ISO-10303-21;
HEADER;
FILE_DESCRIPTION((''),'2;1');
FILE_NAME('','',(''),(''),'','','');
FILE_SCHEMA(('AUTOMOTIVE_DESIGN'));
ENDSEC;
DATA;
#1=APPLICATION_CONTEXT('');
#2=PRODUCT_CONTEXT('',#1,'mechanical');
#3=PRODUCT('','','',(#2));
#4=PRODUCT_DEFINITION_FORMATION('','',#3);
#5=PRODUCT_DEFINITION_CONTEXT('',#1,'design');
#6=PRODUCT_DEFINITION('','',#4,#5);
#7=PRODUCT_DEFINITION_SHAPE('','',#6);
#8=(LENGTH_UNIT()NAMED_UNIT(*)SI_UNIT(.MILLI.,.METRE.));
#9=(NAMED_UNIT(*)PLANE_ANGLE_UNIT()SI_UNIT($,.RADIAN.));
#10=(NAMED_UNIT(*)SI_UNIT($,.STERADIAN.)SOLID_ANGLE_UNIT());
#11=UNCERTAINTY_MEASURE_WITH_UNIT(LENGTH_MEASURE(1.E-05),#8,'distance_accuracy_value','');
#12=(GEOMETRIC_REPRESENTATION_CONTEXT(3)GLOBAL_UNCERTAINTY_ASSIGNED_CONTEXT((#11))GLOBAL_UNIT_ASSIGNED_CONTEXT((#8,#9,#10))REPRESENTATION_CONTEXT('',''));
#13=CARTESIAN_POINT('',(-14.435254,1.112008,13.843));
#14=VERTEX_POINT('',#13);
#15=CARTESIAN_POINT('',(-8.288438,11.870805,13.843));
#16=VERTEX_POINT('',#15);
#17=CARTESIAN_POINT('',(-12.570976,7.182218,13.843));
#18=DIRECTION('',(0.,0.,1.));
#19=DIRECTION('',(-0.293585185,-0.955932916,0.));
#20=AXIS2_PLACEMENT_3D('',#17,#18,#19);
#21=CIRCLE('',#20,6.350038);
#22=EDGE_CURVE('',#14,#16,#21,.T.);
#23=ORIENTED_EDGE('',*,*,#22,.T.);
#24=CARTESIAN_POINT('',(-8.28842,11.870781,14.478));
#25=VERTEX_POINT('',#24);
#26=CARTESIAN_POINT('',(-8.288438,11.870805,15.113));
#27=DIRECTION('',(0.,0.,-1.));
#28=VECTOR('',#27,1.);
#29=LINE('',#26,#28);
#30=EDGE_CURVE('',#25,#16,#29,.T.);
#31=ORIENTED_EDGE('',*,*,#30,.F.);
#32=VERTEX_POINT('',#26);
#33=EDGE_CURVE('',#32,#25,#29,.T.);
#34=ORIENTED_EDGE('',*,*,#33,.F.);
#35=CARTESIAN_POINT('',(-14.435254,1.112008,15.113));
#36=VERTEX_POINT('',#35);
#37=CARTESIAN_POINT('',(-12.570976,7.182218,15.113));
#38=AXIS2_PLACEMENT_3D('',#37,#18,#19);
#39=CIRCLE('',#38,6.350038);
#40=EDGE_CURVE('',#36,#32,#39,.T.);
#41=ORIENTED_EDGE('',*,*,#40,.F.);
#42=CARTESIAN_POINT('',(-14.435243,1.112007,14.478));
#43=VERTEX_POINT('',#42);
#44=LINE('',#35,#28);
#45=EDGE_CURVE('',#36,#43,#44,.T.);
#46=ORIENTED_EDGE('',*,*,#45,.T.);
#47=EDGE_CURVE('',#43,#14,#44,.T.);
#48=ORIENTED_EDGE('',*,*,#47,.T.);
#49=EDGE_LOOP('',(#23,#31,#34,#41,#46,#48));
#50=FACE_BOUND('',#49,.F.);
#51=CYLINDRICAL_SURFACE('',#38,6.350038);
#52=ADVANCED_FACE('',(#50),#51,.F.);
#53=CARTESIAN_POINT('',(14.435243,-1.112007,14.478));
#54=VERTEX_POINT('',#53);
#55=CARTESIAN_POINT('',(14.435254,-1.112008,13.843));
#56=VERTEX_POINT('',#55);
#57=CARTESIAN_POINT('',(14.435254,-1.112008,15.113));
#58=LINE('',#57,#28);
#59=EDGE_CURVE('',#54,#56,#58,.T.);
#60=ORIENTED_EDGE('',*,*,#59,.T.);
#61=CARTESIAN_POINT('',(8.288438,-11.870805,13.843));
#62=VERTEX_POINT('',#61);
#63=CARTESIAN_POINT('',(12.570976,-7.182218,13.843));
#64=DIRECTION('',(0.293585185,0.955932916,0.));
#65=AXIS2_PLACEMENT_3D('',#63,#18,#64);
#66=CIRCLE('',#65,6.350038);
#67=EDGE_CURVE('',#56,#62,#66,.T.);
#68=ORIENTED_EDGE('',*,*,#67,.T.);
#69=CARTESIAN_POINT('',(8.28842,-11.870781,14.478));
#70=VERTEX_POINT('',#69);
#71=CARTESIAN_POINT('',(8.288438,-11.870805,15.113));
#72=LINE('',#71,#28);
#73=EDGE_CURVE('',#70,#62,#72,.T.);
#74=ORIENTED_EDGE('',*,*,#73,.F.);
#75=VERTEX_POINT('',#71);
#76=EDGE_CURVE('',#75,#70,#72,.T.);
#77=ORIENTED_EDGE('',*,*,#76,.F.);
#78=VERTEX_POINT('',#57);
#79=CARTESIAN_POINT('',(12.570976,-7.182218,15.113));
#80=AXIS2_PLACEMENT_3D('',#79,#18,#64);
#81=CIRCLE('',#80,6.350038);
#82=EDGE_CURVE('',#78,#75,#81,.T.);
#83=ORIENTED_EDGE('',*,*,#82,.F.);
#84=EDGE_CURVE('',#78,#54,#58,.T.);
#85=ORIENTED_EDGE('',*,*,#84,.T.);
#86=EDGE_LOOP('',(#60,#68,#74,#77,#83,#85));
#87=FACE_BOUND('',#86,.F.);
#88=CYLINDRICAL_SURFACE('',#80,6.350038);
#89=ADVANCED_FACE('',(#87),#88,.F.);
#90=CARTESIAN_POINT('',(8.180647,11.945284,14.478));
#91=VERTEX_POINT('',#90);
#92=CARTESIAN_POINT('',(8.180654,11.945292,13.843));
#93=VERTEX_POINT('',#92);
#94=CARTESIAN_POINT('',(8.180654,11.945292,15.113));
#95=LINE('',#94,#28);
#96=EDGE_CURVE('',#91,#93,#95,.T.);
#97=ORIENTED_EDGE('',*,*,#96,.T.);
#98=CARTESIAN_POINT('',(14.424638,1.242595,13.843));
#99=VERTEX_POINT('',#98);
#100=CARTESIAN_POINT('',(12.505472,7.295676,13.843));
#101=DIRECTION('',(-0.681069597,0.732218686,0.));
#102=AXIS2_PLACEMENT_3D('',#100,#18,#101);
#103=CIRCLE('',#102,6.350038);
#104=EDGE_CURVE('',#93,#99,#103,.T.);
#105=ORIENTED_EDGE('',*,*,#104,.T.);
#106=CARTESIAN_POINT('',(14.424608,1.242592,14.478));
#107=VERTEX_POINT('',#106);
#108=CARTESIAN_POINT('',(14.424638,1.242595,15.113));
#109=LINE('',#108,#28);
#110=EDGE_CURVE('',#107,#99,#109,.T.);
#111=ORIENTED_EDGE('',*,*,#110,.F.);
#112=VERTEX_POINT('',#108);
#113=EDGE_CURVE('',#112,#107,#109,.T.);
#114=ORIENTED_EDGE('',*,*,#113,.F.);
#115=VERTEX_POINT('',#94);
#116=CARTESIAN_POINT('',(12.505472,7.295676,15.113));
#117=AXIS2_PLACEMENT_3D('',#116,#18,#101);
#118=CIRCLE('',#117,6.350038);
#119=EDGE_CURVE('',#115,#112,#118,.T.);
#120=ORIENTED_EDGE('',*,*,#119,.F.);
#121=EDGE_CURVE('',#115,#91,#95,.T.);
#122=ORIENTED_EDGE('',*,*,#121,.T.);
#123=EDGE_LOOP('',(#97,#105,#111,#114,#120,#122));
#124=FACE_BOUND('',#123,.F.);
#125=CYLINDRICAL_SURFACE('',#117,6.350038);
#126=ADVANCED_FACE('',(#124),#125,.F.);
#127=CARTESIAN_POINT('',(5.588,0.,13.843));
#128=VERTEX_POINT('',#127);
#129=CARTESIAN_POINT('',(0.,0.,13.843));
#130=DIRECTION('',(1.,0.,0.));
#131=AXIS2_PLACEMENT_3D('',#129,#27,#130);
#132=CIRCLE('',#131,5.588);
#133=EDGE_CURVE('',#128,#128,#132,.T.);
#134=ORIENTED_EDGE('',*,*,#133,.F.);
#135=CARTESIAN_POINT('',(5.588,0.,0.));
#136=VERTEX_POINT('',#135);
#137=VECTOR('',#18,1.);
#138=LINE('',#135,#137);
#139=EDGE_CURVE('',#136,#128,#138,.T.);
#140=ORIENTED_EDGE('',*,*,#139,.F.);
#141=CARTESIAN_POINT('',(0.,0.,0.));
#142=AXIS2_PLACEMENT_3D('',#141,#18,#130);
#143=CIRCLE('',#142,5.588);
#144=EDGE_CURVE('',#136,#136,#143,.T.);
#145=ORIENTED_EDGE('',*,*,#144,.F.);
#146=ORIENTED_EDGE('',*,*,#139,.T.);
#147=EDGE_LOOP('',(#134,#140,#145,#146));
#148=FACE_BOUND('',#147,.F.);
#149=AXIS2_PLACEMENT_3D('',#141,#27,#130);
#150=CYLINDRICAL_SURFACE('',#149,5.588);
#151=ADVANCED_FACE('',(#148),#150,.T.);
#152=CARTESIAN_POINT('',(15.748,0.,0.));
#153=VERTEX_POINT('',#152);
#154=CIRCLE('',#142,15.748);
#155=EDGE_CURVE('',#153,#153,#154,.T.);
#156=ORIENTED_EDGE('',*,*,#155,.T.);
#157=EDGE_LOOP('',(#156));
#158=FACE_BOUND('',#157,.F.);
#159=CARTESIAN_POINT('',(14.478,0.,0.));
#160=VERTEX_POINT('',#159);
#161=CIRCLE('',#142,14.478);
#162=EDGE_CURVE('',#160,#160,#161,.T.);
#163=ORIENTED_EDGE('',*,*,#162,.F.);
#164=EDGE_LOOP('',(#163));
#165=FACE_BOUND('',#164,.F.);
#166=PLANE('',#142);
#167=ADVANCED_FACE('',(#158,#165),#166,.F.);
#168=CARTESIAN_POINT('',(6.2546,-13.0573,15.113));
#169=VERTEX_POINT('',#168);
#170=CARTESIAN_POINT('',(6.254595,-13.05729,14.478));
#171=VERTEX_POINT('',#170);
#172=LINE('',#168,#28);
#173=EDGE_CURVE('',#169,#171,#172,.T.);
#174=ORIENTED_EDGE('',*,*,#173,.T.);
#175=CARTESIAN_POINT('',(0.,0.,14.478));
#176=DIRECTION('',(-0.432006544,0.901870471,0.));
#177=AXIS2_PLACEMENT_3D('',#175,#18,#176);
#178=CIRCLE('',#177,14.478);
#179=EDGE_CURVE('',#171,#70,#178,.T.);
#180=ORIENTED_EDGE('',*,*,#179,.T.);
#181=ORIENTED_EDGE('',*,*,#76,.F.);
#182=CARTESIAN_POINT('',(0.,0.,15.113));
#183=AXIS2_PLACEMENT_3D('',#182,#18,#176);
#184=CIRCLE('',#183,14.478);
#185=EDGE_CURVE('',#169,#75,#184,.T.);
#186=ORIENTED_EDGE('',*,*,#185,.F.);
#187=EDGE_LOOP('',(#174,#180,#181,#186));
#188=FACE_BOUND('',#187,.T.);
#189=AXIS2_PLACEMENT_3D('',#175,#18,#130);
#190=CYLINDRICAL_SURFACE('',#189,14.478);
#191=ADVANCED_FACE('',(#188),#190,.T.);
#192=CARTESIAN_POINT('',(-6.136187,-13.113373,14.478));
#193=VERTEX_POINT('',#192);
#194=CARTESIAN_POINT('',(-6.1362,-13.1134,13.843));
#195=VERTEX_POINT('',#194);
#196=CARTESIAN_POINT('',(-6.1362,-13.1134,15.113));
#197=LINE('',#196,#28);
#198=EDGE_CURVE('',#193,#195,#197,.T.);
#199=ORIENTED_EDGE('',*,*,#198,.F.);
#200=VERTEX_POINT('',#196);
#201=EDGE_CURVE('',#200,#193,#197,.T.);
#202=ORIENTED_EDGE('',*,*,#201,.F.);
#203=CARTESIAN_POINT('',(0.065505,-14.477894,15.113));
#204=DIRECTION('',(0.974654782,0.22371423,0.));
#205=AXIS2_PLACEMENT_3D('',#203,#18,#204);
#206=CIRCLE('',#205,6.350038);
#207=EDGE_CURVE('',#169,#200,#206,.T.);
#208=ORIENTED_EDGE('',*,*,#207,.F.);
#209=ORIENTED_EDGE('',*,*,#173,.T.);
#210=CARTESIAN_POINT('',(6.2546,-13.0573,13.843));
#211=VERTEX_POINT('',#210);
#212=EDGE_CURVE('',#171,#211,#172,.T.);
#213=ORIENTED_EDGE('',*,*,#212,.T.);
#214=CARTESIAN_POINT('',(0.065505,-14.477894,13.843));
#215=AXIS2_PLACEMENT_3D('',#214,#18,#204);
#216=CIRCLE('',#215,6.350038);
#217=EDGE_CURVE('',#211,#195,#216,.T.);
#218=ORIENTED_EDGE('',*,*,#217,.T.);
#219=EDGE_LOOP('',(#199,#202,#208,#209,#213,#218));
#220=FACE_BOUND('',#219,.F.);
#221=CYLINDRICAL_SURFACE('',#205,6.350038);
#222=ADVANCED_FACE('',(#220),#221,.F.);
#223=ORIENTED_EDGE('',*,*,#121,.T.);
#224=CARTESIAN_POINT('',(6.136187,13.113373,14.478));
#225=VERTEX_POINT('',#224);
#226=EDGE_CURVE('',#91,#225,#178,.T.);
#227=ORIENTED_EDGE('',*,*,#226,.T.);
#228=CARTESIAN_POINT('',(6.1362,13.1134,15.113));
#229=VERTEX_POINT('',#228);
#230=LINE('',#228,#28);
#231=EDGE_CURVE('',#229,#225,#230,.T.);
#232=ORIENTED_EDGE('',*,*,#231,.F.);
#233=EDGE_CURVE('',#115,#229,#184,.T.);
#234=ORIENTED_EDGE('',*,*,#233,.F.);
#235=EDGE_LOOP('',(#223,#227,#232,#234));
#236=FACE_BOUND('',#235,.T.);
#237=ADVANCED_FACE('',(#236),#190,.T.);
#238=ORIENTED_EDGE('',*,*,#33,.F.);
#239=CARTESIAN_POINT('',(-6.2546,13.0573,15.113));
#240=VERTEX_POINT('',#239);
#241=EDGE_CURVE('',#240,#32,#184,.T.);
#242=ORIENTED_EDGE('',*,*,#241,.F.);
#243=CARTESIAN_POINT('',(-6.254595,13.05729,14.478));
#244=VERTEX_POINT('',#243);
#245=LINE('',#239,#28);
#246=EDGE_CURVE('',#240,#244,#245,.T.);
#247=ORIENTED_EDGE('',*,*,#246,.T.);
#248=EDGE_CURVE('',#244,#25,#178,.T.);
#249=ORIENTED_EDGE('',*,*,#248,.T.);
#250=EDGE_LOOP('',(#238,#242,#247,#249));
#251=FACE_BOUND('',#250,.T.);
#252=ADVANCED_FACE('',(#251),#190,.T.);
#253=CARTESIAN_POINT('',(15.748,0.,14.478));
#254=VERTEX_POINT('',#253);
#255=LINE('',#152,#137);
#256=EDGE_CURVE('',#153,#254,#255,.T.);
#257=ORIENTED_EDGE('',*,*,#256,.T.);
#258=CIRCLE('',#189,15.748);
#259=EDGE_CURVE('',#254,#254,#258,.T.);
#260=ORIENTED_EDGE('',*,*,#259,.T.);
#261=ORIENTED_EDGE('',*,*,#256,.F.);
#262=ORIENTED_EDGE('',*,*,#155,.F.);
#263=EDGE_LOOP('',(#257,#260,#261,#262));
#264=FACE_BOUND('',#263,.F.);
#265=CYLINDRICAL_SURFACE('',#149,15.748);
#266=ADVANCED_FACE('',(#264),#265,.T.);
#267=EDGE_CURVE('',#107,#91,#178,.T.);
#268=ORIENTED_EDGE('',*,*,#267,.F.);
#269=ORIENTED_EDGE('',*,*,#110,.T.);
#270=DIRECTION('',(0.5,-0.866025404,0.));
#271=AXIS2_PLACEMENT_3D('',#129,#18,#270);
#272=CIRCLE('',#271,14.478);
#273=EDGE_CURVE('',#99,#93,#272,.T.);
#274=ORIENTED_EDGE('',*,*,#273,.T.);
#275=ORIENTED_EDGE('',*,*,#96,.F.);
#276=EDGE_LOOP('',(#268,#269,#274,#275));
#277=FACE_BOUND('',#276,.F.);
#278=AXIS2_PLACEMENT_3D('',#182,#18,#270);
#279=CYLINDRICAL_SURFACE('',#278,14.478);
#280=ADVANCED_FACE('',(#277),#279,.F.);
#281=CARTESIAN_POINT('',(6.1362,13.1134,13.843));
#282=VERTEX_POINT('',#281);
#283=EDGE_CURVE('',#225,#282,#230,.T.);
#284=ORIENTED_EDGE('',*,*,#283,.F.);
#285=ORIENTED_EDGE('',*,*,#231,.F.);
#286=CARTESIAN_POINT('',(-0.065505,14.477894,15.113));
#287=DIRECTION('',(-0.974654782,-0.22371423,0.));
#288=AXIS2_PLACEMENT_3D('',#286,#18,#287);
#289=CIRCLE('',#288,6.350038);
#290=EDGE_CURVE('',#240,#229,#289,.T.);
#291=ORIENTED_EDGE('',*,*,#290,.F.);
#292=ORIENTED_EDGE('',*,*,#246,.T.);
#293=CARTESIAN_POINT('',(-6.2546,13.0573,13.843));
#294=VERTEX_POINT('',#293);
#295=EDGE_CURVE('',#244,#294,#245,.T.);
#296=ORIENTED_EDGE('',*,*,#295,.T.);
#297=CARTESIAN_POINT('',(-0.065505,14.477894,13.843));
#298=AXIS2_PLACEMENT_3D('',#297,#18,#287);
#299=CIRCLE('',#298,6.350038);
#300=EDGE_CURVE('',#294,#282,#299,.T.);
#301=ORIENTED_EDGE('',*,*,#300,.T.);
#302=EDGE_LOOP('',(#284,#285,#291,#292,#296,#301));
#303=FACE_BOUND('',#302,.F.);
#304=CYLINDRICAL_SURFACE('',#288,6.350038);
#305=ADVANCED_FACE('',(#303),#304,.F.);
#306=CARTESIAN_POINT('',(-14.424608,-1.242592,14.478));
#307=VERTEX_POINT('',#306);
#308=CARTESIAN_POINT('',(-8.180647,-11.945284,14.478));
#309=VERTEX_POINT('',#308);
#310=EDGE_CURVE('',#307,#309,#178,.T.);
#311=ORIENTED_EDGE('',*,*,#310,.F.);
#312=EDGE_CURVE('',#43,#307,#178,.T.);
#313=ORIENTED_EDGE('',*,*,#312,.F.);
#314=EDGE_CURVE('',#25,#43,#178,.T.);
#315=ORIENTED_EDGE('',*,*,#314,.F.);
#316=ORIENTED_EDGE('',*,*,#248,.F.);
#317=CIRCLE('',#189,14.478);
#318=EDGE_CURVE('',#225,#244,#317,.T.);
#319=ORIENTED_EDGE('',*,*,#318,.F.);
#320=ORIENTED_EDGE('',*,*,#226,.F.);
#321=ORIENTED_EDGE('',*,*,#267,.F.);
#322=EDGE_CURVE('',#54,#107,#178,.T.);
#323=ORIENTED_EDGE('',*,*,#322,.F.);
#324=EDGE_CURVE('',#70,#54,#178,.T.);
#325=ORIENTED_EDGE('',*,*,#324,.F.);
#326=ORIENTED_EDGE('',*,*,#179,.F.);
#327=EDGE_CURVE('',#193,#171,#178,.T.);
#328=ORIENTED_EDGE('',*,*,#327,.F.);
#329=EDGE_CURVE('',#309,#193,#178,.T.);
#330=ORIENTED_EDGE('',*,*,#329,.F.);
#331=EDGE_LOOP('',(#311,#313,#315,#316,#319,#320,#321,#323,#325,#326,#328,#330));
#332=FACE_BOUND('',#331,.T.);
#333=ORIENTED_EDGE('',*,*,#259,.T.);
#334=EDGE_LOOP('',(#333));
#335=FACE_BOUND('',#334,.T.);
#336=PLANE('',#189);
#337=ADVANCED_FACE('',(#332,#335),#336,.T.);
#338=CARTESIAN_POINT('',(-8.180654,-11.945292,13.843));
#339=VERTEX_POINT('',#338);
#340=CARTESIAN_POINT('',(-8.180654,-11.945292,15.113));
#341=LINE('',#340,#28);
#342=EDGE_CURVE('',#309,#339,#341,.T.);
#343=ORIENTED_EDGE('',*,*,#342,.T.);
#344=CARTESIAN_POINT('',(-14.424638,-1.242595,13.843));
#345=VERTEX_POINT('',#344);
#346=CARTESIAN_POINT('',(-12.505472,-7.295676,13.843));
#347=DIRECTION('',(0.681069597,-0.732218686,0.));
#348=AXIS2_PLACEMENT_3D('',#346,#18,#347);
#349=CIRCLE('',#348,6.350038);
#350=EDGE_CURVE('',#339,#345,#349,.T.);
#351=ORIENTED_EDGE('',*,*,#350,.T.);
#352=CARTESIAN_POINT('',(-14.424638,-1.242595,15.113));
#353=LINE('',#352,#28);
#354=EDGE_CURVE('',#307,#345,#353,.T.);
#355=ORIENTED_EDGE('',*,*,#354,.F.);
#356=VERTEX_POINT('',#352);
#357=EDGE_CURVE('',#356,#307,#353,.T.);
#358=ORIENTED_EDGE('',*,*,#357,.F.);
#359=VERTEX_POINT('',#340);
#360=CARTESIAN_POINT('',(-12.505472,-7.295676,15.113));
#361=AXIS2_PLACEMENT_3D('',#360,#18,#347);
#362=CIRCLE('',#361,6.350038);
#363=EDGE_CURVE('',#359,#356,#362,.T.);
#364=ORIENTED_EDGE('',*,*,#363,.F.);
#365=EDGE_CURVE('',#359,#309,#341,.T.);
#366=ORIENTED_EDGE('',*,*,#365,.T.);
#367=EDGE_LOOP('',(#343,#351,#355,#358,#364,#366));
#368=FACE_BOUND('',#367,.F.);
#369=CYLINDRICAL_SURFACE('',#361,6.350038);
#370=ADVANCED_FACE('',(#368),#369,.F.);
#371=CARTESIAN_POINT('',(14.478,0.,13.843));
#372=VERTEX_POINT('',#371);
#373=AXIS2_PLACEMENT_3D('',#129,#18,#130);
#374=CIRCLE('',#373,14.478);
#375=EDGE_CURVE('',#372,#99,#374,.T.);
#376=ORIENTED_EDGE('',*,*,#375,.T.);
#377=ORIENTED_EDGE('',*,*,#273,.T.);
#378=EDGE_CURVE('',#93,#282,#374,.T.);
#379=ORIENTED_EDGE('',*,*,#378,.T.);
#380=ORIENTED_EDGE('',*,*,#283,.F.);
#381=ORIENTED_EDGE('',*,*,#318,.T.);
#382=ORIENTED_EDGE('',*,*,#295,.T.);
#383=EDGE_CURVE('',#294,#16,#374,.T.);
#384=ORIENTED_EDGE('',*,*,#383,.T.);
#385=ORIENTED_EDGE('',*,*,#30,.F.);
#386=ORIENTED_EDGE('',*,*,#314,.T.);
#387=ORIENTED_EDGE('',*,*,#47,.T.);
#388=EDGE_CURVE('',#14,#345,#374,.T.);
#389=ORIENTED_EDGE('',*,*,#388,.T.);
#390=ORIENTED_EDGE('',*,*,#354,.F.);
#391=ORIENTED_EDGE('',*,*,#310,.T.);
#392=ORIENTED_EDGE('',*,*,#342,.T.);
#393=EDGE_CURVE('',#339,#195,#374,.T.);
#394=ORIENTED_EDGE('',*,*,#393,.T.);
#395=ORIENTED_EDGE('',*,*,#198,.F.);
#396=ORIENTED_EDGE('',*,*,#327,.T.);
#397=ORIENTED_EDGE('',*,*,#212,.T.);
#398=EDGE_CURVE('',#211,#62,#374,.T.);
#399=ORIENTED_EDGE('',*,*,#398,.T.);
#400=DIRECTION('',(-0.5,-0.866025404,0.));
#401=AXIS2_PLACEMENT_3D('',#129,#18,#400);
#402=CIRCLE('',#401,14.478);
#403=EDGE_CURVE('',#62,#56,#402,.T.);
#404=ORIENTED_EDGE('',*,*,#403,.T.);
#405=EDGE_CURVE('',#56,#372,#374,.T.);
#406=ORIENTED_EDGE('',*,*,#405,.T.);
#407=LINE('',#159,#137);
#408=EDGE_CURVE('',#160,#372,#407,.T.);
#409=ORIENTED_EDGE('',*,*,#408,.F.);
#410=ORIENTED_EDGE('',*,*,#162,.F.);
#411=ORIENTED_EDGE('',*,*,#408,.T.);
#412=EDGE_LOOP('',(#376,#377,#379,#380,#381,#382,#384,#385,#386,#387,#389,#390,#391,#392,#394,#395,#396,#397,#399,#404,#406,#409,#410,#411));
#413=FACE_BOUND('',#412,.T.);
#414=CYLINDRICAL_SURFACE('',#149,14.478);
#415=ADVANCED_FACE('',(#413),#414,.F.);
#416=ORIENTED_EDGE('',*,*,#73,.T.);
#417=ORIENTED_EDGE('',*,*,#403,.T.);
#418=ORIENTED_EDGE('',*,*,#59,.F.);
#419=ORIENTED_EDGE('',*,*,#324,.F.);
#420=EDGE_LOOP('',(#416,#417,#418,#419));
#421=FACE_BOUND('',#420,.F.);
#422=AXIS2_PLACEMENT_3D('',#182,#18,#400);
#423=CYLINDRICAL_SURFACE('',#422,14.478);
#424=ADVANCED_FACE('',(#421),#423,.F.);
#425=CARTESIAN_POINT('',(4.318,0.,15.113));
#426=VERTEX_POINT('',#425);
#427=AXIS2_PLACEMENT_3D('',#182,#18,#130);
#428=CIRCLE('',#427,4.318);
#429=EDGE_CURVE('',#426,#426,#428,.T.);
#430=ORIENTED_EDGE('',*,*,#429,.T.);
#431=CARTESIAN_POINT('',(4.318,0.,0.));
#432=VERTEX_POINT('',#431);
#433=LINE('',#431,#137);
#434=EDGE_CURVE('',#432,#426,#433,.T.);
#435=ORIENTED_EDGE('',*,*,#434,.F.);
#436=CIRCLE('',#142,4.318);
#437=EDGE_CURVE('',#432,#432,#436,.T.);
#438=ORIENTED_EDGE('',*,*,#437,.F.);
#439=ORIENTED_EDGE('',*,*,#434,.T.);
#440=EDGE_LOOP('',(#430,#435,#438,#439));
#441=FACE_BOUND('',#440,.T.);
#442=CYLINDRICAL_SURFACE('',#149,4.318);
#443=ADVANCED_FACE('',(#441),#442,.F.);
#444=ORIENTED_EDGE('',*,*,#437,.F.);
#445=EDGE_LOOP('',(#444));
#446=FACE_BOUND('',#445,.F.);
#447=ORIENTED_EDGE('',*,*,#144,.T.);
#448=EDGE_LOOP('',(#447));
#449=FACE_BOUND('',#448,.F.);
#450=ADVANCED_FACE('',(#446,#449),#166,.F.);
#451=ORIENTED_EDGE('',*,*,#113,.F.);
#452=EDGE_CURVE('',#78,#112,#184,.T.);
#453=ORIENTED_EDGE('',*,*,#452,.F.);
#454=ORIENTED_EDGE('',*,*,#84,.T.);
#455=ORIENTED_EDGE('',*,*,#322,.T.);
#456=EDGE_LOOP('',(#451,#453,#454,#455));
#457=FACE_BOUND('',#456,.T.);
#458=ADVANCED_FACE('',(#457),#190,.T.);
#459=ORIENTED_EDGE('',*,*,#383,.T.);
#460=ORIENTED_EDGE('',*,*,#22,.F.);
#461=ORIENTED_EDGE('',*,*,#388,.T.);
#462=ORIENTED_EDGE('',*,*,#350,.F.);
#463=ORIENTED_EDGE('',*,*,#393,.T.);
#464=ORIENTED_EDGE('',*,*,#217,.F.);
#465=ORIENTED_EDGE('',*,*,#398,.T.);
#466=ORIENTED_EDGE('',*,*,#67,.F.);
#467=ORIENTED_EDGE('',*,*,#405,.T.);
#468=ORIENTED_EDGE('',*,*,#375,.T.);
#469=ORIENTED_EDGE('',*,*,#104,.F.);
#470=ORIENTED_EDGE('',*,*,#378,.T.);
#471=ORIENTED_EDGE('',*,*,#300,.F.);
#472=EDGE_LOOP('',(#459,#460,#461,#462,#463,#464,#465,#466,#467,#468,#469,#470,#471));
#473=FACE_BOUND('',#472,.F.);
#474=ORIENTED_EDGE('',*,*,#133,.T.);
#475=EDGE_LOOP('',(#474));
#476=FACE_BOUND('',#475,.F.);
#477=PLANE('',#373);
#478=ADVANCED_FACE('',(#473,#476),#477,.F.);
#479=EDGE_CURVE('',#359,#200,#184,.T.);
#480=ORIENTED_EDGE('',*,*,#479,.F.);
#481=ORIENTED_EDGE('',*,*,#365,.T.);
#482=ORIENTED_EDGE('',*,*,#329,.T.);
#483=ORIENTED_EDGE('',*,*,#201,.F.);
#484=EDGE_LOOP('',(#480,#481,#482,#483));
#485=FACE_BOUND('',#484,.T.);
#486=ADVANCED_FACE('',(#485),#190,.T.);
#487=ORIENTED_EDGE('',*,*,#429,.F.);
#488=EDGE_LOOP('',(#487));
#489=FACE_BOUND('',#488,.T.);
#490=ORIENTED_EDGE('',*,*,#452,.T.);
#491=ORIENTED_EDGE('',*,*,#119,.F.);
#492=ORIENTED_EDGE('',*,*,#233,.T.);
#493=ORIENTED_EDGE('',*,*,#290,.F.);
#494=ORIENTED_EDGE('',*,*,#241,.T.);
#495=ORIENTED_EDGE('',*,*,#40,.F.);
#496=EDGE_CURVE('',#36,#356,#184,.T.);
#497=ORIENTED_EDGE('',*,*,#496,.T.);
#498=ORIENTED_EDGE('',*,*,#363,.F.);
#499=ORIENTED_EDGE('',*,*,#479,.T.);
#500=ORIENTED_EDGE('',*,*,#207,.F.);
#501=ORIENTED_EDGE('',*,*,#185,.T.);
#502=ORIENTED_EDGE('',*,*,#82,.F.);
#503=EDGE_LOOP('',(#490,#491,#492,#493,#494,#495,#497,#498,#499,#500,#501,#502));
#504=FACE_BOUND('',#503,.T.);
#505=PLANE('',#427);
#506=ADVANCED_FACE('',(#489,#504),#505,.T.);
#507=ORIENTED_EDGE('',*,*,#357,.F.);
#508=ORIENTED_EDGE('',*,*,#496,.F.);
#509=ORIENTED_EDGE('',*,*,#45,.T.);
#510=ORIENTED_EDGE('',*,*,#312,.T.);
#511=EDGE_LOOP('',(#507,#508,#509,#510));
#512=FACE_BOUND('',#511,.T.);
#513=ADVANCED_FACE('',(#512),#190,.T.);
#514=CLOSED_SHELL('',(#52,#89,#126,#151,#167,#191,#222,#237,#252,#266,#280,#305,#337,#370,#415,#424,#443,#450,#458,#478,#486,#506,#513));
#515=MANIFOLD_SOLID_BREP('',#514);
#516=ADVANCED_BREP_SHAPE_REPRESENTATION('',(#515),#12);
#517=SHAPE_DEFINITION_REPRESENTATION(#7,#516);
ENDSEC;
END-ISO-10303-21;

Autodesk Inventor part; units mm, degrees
ref_plane "YZ Plane" through (0, 0, 0) normal (1, 0, 0) x (0, 1, 0)
ref_plane "XZ Plane" through (0, 0, 0) normal (0, 1, 0) x (-1, 0, 0)
ref_plane "XY Plane" through (0, 0, 0) normal (0, 0, 1) x (1, 0, 0)
sketch "Sketch1" plane through (0, 0, 0) normal (0, 0, 1) x (1, 0, 0)
  circle A0 centre (0, 0) radius 5.588
  circle A1 centre (0, 0) radius 4.318
  circle A2 centre (0, 0) radius 14.478
  circle A3 centre (0, 0) radius 15.748
  dimension "d0" = 11.176
  dimension "d1" = 1.27
  dimension "d2" = 8.89
  dimension "d3" = 1.27
extrude "Extrusion1" add sketch "Sketch1" along normal blind 14.478
ref_plane "Work Plane1" through (0, 0, 14.478) normal (0, 0, 1) x (1, 0, 0)
sketch "Sketch2" plane through (0, 0, 14.478) normal (0, 0, 1) x (1, 0, 0)
  circle A0 centre (0, 0) radius 14.478 projected
  circle A1 centre (0, 0) radius 15.748 projected
  circle A2 centre (0, 0) radius 4.318 projected
  circle A3 centre (0, 0) radius 5.588 projected
extrude "Extrusion2" add sketch "Sketch2" along normal mid plane 1.27 contours A0 | A3
sketch "Sketch3" plane through (0, 0, 15.113) normal (0, 0, 1) x (1, 0, 0)
  circle A0 centre (0, 0) radius 14.478 projected
  circle A1 centre (0, 0) radius 14.478 projected
  arc A2 (-6.2546, 13.0573) -> (6.1362, 13.1134) centre (-0.0655, 14.4779) ccw
  arc A3 (6.1362, 13.1134) -> (-6.2546, 13.0573) centre (0, 0) ccw
  dimension "d9" = 12.7
extrude "Extrusion3" cut sketch "Sketch3" against normal blind 1.27 contours A2 A0 picked at (-1.876, 12.3773)
pattern_circular "Circular Pattern1" count 6 over 360 about axis through (0, 0, 14.478) along (0, 0, 1) of "Extrusion3"
properties part number "Wheel" material "ABS Plastic"
